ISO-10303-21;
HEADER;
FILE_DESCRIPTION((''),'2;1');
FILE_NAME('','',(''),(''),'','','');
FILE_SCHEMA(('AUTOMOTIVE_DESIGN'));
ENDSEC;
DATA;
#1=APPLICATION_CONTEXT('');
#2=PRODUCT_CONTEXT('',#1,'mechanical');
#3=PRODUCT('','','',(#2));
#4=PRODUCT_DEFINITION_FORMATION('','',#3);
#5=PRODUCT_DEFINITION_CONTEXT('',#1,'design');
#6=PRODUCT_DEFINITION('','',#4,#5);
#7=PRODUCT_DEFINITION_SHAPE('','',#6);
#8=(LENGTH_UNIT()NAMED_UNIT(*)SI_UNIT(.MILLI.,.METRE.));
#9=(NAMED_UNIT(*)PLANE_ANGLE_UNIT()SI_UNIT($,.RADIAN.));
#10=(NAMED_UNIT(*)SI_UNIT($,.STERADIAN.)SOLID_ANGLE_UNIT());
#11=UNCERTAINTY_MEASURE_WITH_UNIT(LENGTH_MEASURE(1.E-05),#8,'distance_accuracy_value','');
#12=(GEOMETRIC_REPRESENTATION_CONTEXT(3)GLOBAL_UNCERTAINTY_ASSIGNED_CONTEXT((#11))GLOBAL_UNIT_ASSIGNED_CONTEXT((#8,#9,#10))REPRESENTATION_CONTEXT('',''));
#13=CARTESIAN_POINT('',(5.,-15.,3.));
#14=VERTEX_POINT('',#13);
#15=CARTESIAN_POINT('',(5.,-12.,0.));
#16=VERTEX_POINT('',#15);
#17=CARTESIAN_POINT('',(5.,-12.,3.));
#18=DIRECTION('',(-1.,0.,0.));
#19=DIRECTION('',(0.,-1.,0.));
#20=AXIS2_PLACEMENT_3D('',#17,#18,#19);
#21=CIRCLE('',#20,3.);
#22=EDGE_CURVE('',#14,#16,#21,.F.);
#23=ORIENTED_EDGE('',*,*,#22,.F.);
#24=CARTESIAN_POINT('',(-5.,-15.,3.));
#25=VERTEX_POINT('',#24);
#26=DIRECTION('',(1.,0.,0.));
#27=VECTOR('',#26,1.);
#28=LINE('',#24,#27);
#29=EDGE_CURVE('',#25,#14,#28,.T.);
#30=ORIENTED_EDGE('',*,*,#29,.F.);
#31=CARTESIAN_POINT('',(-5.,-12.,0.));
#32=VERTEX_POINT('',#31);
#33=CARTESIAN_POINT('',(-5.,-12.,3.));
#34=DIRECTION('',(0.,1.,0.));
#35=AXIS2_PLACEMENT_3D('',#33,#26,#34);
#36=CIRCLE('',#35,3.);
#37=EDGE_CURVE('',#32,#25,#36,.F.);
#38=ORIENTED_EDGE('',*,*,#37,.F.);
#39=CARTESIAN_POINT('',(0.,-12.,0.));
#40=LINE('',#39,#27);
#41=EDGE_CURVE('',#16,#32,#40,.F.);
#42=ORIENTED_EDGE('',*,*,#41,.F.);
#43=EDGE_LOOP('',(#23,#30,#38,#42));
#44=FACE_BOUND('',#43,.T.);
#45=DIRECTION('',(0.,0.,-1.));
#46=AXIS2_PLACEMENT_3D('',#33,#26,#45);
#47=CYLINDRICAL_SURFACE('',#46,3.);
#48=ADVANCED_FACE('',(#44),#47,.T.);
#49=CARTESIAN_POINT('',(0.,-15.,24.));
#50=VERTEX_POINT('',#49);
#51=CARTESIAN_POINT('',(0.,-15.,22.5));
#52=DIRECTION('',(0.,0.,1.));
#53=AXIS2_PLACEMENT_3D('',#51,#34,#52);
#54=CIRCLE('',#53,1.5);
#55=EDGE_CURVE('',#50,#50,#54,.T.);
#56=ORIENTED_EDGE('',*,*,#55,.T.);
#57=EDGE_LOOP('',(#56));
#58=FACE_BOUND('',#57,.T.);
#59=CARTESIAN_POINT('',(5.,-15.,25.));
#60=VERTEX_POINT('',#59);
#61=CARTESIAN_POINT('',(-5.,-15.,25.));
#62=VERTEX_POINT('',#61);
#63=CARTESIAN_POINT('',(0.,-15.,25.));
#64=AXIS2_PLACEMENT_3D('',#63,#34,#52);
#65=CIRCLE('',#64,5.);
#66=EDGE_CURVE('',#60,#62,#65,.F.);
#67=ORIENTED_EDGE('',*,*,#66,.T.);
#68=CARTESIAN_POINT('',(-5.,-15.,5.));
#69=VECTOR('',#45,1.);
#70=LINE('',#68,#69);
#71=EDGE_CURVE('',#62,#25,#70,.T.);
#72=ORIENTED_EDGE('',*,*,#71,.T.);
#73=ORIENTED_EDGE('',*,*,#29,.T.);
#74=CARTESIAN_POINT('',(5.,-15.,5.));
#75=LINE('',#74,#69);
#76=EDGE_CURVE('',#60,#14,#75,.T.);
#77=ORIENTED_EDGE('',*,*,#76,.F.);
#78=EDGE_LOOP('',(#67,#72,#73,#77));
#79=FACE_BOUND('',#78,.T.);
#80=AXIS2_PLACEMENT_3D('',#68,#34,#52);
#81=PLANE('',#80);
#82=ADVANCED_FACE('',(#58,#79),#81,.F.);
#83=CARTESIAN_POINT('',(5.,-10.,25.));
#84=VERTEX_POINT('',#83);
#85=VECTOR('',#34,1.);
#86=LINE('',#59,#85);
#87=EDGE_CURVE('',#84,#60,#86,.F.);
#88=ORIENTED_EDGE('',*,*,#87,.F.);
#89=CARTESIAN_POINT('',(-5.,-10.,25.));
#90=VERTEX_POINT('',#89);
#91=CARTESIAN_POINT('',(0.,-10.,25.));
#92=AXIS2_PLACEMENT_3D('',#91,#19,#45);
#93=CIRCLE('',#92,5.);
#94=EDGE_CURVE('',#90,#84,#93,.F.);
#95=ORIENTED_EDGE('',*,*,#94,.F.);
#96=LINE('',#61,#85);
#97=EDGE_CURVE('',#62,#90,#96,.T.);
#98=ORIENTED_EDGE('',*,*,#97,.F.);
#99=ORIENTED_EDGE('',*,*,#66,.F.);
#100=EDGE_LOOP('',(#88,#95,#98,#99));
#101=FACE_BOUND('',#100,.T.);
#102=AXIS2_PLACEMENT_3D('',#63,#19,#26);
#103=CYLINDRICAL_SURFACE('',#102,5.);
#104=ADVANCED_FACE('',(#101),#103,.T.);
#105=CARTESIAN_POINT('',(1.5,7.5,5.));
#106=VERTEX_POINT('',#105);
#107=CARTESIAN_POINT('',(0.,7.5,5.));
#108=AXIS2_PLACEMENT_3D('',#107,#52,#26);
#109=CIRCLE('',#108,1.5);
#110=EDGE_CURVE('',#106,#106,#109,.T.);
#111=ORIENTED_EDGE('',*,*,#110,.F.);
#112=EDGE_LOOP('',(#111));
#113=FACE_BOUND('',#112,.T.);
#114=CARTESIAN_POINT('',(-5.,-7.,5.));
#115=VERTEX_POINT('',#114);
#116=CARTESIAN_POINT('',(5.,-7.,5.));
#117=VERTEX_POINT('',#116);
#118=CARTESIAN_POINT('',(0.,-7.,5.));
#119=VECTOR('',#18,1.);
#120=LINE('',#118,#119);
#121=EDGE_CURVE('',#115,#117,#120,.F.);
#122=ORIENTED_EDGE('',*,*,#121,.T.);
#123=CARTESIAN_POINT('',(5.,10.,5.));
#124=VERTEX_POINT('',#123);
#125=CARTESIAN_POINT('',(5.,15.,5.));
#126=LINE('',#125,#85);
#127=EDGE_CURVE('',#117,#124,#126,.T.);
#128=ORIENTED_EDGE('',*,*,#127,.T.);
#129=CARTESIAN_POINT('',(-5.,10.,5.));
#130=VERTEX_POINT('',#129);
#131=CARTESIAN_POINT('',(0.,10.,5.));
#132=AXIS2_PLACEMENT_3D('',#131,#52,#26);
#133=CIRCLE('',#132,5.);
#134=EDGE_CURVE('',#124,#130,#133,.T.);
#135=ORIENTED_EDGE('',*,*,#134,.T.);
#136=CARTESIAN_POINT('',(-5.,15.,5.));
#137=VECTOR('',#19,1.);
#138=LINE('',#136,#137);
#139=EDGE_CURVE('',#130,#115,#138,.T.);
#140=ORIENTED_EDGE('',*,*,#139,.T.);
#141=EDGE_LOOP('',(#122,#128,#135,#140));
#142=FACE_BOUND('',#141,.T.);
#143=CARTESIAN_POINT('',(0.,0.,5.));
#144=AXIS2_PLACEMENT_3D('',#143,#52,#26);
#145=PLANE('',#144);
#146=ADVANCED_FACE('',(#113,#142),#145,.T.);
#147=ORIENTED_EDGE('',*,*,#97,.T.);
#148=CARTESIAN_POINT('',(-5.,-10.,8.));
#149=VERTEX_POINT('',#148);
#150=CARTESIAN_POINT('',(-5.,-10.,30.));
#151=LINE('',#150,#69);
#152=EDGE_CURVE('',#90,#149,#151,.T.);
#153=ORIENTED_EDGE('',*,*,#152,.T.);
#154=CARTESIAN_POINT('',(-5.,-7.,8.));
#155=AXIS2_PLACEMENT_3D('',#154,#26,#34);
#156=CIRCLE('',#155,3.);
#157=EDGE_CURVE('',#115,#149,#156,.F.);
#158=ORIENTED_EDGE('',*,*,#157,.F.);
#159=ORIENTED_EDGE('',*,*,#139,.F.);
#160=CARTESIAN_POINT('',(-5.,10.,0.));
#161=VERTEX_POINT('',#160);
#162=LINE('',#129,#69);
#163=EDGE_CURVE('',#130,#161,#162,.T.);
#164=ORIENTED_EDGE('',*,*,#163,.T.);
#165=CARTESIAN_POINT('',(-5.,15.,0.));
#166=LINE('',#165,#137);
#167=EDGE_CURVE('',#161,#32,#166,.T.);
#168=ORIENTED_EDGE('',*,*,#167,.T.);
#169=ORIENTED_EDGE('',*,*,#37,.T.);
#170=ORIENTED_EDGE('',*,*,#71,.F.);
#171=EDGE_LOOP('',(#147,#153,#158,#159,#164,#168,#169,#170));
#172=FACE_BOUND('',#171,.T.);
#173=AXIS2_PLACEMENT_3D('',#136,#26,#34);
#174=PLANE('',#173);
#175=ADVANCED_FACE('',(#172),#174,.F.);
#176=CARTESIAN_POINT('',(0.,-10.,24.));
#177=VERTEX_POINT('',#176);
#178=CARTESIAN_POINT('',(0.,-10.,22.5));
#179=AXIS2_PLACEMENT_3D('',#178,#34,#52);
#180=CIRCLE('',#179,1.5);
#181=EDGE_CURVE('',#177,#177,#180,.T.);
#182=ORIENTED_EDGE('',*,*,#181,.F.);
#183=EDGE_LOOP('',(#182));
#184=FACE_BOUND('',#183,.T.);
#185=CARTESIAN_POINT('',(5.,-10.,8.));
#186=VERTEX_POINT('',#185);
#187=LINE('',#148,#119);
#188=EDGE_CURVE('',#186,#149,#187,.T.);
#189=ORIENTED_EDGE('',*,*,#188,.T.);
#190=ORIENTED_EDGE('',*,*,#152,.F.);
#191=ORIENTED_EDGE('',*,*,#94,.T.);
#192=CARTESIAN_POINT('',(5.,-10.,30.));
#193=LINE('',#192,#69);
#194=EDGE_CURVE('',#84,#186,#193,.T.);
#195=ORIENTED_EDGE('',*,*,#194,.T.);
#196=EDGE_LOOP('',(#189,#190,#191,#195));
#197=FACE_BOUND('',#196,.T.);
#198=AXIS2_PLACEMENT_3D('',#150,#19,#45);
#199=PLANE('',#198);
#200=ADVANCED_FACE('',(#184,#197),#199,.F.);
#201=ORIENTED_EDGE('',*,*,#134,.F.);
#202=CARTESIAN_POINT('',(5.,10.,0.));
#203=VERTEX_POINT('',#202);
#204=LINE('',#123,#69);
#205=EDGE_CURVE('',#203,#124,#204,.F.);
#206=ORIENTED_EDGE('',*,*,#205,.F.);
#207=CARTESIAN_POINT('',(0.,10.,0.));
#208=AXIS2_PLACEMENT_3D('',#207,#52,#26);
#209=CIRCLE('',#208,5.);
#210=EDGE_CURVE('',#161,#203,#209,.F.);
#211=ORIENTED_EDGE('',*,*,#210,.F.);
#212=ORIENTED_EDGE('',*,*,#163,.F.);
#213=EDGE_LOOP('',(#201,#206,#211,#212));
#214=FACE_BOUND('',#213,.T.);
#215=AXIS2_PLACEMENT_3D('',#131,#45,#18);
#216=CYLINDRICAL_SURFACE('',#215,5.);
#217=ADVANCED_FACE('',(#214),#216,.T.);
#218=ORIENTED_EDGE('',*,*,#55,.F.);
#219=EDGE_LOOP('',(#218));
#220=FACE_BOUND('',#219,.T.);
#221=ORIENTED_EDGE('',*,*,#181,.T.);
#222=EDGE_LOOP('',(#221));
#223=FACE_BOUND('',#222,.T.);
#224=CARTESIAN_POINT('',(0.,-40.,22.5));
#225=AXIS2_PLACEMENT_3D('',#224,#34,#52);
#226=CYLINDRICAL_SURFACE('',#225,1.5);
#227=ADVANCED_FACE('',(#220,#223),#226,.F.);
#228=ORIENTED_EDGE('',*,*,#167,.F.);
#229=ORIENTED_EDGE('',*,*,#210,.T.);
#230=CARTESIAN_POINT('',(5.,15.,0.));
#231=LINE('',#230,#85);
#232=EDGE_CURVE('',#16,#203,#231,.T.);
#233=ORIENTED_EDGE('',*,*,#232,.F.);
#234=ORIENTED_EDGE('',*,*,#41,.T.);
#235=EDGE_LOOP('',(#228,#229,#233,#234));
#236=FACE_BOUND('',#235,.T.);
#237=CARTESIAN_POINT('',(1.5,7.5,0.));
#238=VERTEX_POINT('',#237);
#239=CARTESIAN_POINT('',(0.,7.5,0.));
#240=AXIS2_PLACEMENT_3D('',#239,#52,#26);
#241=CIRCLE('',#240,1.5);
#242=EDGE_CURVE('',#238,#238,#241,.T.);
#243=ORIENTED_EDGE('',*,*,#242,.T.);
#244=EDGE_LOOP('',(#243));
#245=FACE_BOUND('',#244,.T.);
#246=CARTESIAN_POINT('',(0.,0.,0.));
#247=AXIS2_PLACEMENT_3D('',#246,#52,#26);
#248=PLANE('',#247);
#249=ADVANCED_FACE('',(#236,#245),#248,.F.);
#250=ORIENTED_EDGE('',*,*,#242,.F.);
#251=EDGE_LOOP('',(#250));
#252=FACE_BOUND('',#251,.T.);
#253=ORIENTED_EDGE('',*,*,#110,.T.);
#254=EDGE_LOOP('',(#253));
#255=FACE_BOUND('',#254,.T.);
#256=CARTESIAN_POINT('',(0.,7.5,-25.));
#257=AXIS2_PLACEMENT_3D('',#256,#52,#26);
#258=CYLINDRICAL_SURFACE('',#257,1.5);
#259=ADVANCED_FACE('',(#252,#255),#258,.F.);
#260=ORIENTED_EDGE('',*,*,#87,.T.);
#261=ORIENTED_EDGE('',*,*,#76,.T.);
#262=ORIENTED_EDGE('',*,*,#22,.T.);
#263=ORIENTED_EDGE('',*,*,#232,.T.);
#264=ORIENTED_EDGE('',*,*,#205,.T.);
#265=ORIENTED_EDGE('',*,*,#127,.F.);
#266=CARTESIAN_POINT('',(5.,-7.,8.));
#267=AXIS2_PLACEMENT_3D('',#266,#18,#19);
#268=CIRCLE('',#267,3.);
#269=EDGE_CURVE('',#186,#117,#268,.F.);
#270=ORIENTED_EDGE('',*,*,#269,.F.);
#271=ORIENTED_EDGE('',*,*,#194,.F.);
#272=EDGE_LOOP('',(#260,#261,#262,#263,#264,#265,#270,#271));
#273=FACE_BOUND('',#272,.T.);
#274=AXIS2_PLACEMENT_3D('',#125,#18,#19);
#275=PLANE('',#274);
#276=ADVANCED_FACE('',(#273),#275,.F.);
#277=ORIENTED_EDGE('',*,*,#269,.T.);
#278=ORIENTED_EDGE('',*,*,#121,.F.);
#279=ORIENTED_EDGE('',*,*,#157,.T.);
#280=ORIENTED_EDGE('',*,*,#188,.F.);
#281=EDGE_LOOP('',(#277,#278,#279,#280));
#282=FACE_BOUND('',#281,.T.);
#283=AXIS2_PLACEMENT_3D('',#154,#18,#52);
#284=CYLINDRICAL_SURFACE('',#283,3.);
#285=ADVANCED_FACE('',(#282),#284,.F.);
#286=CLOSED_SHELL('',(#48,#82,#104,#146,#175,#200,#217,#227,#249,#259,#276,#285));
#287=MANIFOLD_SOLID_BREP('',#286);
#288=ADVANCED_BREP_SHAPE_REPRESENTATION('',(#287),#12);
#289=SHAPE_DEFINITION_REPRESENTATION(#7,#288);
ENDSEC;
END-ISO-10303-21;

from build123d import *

# Parameters (mm, degrees)
ESQUISSE1_W             = 10
ESQUISSE1_H             = 30
BOSS_EXTRU_1_DEPTH      = 5
ESQUISSE2_W             = 10
ESQUISSE2_H             = 5
BOSS_EXTRU_2_DEPTH      = 25
ESQUISSE3_R             = 1.5
ENL_V_MAT_EXTRU_1_DEPTH = 30
ESQUISSE4_R             = 1.5
ENL_V_MAT_EXTRU_2_DEPTH = 30
CONG_1_RADIUS           = 5
CONG_1_LENGTH           = 5
CONG_2_RADIUS           = 5
CONG_2_LENGTH           = 5
CONG_3_R                = 3
CONG_4_R                = 3


with BuildPart() as part:
    # Esquisse1 → Boss.-Extru.1 (new body)
    with BuildSketch(Plane.XY):
        Rectangle(ESQUISSE1_W, ESQUISSE1_H)
    extrude(amount=BOSS_EXTRU_1_DEPTH)

    # Esquisse2 → Boss.-Extru.2 (add)
    with BuildSketch(Plane.XY.offset(5)):
        with Locations((0, -12.5)):
            Rectangle(ESQUISSE2_W, ESQUISSE2_H)
    extrude(amount=BOSS_EXTRU_2_DEPTH)

    # Esquisse3 → Enlèv. mat.-Extru.1 (cut)
    with BuildSketch(Plane.XY.offset(5)):
        with Locations((0, 7.5)):
            Circle(ESQUISSE3_R)
    extrude(amount=-ENL_V_MAT_EXTRU_1_DEPTH, mode=Mode.SUBTRACT)

    # Esquisse4 → Enlèv. mat.-Extru.2 (cut)
    with BuildSketch(Plane(origin=(0, -10, 0), x_dir=(1, 0, 0), z_dir=(0, 1, 0))):
        with Locations(Location((0, -22.5, 0), (0, 0, 270))):
            Circle(ESQUISSE4_R)
    extrude(amount=-ENL_V_MAT_EXTRU_2_DEPTH, mode=Mode.SUBTRACT)

    # Congé1: full round fillet: the end face becomes a half cylinder, R = half its width
    cong_1_face = Plane((0, 15, 2.5), x_dir=(0, 0, 1), z_dir=(0, 1, 0))  # on the end face: x along it, z out of the body
    cong_1_slab = cong_1_face.offset(-CONG_1_RADIUS / 2) * Box(CONG_1_LENGTH, 2 * CONG_1_RADIUS, CONG_1_RADIUS, mode=Mode.PRIVATE)  # the body's end, R deep
    cong_1_round = Plane((0, 10, 2.5), x_dir=(0, 1, 0), z_dir=(0, 0, 1)) * Cylinder(CONG_1_RADIUS, CONG_1_LENGTH, mode=Mode.PRIVATE)  # its axis R under the face
    add(cong_1_slab - cong_1_round, mode=Mode.SUBTRACT)

    # Congé2: full round fillet: the end face becomes a half cylinder, R = half its width
    cong_2_face = Plane((0, -12.5, 30), x_dir=(0, 1, 0), z_dir=(0, 0, 1))  # on the end face: x along it, z out of the body
    cong_2_slab = cong_2_face.offset(-CONG_2_RADIUS / 2) * Box(CONG_2_LENGTH, 2 * CONG_2_RADIUS, CONG_2_RADIUS, mode=Mode.PRIVATE)  # the body's end, R deep
    cong_2_round = Plane((0, -12.5, 25), x_dir=(0, 0, 1), z_dir=(0, 1, 0)) * Cylinder(CONG_2_RADIUS, CONG_2_LENGTH, mode=Mode.PRIVATE)  # its axis R under the face
    add(cong_2_slab - cong_2_round, mode=Mode.SUBTRACT)

    # Congé3
    cong_3_edges = [part.edges().sort_by_distance(p)[0] for p in [
        (0, -15, 0),
    ]]
    fillet(cong_3_edges, radius=CONG_3_R)

    # Congé4
    cong_4_edges = [part.edges().sort_by_distance(p)[0] for p in [
        (0, -10, 5),
    ]]
    fillet(cong_4_edges, radius=CONG_4_R)


solid = part.part
